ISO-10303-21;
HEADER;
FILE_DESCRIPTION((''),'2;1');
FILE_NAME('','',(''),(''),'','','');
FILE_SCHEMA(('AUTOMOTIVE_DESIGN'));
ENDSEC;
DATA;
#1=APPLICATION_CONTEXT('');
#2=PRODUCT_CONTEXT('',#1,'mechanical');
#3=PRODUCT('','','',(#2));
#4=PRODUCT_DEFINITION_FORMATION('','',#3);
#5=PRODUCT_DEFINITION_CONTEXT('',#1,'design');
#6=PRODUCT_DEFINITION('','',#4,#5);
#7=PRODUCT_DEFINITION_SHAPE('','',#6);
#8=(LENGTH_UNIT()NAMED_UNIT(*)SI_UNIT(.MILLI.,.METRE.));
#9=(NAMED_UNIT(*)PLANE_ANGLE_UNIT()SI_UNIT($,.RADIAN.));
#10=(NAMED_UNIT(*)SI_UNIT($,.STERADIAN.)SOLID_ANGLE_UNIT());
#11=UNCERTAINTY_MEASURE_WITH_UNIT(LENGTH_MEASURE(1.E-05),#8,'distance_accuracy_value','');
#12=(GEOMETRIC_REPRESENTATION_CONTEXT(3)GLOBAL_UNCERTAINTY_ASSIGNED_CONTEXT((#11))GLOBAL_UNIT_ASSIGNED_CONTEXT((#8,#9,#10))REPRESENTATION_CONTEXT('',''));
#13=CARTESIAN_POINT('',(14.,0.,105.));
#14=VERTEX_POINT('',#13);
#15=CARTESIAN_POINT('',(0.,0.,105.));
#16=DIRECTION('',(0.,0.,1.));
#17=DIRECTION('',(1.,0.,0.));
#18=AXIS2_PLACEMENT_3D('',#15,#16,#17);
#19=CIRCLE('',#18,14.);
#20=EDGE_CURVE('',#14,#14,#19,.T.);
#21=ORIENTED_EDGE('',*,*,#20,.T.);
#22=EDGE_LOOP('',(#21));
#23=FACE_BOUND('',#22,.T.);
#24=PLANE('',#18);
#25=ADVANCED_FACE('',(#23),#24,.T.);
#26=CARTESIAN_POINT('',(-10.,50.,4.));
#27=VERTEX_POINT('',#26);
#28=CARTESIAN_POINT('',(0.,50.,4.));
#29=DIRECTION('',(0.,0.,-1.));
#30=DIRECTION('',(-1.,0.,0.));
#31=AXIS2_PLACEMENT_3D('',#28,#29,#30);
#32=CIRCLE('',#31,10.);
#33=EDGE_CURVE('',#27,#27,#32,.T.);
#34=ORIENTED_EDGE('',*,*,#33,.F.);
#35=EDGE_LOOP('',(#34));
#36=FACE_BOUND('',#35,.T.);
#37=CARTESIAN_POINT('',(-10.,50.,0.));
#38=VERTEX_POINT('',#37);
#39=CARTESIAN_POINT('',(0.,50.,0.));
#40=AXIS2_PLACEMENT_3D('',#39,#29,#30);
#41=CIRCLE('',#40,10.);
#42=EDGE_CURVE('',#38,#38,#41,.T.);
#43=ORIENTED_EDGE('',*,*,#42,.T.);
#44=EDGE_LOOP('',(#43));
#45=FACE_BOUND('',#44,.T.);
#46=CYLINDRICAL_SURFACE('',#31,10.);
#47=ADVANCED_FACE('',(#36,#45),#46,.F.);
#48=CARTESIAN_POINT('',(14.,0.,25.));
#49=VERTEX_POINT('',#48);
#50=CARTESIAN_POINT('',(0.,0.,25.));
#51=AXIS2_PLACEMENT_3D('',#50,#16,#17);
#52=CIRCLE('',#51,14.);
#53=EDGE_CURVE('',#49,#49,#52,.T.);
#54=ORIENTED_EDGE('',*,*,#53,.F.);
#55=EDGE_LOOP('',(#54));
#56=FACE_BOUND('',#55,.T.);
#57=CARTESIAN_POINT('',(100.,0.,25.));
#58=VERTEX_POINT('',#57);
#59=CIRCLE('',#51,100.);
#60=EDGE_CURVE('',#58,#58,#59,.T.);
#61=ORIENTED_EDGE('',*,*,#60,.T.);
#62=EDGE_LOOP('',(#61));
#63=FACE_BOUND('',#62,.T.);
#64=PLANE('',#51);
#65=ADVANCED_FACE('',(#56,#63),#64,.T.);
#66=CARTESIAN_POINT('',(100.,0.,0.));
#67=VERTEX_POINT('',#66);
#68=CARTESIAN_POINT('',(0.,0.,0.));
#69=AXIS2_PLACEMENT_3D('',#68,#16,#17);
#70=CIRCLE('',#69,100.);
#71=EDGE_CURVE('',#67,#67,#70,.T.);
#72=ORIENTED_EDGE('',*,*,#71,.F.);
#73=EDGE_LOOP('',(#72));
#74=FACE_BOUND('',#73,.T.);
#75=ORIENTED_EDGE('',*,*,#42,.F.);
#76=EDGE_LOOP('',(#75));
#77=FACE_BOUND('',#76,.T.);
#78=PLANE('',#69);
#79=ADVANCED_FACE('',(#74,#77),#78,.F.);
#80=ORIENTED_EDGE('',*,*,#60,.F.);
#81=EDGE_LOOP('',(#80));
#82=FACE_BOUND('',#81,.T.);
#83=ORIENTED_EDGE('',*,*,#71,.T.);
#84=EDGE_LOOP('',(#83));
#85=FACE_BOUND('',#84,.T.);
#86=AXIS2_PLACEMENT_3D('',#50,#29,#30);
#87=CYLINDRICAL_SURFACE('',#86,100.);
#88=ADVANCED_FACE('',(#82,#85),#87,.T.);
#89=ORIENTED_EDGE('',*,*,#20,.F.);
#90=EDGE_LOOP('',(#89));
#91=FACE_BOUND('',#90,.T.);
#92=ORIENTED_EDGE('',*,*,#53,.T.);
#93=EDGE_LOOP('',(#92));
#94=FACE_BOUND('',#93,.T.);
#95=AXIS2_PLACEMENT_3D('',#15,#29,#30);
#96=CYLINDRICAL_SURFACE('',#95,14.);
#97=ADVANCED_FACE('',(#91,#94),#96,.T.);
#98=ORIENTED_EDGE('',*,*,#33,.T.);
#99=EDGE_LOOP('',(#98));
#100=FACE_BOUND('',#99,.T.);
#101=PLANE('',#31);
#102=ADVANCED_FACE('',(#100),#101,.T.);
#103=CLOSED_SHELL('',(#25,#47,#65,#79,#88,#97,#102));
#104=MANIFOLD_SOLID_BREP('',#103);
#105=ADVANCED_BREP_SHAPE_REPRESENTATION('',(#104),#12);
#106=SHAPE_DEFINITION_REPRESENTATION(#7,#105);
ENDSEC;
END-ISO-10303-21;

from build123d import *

# Parameters (mm, degrees)
SKETCH1_R           = 100
BOSS_EXTRUDE1_DEPTH = 25
SKETCH2_R           = 14
BOSS_EXTRUDE2_DEPTH = 80
SKETCH3_R           = 10
CUT_EXTRUDE1_DEPTH  = 4


with BuildPart() as part:
    # Sketch1 → Boss-Extrude1 (new body)
    with BuildSketch(Plane.XY):
        Circle(SKETCH1_R)
    extrude(amount=BOSS_EXTRUDE1_DEPTH)

    # Sketch2 → Boss-Extrude2 (add)
    with BuildSketch(Plane.XY.offset(25)):
        Circle(SKETCH2_R)
    extrude(amount=BOSS_EXTRUDE2_DEPTH)

    # Sketch3 → Cut-Extrude1 (cut)
    with BuildSketch(Plane(origin=(0, 0, 0), x_dir=(-1, 0, 0), z_dir=(0, 0, -1))):
        with Locations((0, 50)):
            Circle(SKETCH3_R)
    extrude(amount=-CUT_EXTRUDE1_DEPTH, mode=Mode.SUBTRACT)


solid = part.part
